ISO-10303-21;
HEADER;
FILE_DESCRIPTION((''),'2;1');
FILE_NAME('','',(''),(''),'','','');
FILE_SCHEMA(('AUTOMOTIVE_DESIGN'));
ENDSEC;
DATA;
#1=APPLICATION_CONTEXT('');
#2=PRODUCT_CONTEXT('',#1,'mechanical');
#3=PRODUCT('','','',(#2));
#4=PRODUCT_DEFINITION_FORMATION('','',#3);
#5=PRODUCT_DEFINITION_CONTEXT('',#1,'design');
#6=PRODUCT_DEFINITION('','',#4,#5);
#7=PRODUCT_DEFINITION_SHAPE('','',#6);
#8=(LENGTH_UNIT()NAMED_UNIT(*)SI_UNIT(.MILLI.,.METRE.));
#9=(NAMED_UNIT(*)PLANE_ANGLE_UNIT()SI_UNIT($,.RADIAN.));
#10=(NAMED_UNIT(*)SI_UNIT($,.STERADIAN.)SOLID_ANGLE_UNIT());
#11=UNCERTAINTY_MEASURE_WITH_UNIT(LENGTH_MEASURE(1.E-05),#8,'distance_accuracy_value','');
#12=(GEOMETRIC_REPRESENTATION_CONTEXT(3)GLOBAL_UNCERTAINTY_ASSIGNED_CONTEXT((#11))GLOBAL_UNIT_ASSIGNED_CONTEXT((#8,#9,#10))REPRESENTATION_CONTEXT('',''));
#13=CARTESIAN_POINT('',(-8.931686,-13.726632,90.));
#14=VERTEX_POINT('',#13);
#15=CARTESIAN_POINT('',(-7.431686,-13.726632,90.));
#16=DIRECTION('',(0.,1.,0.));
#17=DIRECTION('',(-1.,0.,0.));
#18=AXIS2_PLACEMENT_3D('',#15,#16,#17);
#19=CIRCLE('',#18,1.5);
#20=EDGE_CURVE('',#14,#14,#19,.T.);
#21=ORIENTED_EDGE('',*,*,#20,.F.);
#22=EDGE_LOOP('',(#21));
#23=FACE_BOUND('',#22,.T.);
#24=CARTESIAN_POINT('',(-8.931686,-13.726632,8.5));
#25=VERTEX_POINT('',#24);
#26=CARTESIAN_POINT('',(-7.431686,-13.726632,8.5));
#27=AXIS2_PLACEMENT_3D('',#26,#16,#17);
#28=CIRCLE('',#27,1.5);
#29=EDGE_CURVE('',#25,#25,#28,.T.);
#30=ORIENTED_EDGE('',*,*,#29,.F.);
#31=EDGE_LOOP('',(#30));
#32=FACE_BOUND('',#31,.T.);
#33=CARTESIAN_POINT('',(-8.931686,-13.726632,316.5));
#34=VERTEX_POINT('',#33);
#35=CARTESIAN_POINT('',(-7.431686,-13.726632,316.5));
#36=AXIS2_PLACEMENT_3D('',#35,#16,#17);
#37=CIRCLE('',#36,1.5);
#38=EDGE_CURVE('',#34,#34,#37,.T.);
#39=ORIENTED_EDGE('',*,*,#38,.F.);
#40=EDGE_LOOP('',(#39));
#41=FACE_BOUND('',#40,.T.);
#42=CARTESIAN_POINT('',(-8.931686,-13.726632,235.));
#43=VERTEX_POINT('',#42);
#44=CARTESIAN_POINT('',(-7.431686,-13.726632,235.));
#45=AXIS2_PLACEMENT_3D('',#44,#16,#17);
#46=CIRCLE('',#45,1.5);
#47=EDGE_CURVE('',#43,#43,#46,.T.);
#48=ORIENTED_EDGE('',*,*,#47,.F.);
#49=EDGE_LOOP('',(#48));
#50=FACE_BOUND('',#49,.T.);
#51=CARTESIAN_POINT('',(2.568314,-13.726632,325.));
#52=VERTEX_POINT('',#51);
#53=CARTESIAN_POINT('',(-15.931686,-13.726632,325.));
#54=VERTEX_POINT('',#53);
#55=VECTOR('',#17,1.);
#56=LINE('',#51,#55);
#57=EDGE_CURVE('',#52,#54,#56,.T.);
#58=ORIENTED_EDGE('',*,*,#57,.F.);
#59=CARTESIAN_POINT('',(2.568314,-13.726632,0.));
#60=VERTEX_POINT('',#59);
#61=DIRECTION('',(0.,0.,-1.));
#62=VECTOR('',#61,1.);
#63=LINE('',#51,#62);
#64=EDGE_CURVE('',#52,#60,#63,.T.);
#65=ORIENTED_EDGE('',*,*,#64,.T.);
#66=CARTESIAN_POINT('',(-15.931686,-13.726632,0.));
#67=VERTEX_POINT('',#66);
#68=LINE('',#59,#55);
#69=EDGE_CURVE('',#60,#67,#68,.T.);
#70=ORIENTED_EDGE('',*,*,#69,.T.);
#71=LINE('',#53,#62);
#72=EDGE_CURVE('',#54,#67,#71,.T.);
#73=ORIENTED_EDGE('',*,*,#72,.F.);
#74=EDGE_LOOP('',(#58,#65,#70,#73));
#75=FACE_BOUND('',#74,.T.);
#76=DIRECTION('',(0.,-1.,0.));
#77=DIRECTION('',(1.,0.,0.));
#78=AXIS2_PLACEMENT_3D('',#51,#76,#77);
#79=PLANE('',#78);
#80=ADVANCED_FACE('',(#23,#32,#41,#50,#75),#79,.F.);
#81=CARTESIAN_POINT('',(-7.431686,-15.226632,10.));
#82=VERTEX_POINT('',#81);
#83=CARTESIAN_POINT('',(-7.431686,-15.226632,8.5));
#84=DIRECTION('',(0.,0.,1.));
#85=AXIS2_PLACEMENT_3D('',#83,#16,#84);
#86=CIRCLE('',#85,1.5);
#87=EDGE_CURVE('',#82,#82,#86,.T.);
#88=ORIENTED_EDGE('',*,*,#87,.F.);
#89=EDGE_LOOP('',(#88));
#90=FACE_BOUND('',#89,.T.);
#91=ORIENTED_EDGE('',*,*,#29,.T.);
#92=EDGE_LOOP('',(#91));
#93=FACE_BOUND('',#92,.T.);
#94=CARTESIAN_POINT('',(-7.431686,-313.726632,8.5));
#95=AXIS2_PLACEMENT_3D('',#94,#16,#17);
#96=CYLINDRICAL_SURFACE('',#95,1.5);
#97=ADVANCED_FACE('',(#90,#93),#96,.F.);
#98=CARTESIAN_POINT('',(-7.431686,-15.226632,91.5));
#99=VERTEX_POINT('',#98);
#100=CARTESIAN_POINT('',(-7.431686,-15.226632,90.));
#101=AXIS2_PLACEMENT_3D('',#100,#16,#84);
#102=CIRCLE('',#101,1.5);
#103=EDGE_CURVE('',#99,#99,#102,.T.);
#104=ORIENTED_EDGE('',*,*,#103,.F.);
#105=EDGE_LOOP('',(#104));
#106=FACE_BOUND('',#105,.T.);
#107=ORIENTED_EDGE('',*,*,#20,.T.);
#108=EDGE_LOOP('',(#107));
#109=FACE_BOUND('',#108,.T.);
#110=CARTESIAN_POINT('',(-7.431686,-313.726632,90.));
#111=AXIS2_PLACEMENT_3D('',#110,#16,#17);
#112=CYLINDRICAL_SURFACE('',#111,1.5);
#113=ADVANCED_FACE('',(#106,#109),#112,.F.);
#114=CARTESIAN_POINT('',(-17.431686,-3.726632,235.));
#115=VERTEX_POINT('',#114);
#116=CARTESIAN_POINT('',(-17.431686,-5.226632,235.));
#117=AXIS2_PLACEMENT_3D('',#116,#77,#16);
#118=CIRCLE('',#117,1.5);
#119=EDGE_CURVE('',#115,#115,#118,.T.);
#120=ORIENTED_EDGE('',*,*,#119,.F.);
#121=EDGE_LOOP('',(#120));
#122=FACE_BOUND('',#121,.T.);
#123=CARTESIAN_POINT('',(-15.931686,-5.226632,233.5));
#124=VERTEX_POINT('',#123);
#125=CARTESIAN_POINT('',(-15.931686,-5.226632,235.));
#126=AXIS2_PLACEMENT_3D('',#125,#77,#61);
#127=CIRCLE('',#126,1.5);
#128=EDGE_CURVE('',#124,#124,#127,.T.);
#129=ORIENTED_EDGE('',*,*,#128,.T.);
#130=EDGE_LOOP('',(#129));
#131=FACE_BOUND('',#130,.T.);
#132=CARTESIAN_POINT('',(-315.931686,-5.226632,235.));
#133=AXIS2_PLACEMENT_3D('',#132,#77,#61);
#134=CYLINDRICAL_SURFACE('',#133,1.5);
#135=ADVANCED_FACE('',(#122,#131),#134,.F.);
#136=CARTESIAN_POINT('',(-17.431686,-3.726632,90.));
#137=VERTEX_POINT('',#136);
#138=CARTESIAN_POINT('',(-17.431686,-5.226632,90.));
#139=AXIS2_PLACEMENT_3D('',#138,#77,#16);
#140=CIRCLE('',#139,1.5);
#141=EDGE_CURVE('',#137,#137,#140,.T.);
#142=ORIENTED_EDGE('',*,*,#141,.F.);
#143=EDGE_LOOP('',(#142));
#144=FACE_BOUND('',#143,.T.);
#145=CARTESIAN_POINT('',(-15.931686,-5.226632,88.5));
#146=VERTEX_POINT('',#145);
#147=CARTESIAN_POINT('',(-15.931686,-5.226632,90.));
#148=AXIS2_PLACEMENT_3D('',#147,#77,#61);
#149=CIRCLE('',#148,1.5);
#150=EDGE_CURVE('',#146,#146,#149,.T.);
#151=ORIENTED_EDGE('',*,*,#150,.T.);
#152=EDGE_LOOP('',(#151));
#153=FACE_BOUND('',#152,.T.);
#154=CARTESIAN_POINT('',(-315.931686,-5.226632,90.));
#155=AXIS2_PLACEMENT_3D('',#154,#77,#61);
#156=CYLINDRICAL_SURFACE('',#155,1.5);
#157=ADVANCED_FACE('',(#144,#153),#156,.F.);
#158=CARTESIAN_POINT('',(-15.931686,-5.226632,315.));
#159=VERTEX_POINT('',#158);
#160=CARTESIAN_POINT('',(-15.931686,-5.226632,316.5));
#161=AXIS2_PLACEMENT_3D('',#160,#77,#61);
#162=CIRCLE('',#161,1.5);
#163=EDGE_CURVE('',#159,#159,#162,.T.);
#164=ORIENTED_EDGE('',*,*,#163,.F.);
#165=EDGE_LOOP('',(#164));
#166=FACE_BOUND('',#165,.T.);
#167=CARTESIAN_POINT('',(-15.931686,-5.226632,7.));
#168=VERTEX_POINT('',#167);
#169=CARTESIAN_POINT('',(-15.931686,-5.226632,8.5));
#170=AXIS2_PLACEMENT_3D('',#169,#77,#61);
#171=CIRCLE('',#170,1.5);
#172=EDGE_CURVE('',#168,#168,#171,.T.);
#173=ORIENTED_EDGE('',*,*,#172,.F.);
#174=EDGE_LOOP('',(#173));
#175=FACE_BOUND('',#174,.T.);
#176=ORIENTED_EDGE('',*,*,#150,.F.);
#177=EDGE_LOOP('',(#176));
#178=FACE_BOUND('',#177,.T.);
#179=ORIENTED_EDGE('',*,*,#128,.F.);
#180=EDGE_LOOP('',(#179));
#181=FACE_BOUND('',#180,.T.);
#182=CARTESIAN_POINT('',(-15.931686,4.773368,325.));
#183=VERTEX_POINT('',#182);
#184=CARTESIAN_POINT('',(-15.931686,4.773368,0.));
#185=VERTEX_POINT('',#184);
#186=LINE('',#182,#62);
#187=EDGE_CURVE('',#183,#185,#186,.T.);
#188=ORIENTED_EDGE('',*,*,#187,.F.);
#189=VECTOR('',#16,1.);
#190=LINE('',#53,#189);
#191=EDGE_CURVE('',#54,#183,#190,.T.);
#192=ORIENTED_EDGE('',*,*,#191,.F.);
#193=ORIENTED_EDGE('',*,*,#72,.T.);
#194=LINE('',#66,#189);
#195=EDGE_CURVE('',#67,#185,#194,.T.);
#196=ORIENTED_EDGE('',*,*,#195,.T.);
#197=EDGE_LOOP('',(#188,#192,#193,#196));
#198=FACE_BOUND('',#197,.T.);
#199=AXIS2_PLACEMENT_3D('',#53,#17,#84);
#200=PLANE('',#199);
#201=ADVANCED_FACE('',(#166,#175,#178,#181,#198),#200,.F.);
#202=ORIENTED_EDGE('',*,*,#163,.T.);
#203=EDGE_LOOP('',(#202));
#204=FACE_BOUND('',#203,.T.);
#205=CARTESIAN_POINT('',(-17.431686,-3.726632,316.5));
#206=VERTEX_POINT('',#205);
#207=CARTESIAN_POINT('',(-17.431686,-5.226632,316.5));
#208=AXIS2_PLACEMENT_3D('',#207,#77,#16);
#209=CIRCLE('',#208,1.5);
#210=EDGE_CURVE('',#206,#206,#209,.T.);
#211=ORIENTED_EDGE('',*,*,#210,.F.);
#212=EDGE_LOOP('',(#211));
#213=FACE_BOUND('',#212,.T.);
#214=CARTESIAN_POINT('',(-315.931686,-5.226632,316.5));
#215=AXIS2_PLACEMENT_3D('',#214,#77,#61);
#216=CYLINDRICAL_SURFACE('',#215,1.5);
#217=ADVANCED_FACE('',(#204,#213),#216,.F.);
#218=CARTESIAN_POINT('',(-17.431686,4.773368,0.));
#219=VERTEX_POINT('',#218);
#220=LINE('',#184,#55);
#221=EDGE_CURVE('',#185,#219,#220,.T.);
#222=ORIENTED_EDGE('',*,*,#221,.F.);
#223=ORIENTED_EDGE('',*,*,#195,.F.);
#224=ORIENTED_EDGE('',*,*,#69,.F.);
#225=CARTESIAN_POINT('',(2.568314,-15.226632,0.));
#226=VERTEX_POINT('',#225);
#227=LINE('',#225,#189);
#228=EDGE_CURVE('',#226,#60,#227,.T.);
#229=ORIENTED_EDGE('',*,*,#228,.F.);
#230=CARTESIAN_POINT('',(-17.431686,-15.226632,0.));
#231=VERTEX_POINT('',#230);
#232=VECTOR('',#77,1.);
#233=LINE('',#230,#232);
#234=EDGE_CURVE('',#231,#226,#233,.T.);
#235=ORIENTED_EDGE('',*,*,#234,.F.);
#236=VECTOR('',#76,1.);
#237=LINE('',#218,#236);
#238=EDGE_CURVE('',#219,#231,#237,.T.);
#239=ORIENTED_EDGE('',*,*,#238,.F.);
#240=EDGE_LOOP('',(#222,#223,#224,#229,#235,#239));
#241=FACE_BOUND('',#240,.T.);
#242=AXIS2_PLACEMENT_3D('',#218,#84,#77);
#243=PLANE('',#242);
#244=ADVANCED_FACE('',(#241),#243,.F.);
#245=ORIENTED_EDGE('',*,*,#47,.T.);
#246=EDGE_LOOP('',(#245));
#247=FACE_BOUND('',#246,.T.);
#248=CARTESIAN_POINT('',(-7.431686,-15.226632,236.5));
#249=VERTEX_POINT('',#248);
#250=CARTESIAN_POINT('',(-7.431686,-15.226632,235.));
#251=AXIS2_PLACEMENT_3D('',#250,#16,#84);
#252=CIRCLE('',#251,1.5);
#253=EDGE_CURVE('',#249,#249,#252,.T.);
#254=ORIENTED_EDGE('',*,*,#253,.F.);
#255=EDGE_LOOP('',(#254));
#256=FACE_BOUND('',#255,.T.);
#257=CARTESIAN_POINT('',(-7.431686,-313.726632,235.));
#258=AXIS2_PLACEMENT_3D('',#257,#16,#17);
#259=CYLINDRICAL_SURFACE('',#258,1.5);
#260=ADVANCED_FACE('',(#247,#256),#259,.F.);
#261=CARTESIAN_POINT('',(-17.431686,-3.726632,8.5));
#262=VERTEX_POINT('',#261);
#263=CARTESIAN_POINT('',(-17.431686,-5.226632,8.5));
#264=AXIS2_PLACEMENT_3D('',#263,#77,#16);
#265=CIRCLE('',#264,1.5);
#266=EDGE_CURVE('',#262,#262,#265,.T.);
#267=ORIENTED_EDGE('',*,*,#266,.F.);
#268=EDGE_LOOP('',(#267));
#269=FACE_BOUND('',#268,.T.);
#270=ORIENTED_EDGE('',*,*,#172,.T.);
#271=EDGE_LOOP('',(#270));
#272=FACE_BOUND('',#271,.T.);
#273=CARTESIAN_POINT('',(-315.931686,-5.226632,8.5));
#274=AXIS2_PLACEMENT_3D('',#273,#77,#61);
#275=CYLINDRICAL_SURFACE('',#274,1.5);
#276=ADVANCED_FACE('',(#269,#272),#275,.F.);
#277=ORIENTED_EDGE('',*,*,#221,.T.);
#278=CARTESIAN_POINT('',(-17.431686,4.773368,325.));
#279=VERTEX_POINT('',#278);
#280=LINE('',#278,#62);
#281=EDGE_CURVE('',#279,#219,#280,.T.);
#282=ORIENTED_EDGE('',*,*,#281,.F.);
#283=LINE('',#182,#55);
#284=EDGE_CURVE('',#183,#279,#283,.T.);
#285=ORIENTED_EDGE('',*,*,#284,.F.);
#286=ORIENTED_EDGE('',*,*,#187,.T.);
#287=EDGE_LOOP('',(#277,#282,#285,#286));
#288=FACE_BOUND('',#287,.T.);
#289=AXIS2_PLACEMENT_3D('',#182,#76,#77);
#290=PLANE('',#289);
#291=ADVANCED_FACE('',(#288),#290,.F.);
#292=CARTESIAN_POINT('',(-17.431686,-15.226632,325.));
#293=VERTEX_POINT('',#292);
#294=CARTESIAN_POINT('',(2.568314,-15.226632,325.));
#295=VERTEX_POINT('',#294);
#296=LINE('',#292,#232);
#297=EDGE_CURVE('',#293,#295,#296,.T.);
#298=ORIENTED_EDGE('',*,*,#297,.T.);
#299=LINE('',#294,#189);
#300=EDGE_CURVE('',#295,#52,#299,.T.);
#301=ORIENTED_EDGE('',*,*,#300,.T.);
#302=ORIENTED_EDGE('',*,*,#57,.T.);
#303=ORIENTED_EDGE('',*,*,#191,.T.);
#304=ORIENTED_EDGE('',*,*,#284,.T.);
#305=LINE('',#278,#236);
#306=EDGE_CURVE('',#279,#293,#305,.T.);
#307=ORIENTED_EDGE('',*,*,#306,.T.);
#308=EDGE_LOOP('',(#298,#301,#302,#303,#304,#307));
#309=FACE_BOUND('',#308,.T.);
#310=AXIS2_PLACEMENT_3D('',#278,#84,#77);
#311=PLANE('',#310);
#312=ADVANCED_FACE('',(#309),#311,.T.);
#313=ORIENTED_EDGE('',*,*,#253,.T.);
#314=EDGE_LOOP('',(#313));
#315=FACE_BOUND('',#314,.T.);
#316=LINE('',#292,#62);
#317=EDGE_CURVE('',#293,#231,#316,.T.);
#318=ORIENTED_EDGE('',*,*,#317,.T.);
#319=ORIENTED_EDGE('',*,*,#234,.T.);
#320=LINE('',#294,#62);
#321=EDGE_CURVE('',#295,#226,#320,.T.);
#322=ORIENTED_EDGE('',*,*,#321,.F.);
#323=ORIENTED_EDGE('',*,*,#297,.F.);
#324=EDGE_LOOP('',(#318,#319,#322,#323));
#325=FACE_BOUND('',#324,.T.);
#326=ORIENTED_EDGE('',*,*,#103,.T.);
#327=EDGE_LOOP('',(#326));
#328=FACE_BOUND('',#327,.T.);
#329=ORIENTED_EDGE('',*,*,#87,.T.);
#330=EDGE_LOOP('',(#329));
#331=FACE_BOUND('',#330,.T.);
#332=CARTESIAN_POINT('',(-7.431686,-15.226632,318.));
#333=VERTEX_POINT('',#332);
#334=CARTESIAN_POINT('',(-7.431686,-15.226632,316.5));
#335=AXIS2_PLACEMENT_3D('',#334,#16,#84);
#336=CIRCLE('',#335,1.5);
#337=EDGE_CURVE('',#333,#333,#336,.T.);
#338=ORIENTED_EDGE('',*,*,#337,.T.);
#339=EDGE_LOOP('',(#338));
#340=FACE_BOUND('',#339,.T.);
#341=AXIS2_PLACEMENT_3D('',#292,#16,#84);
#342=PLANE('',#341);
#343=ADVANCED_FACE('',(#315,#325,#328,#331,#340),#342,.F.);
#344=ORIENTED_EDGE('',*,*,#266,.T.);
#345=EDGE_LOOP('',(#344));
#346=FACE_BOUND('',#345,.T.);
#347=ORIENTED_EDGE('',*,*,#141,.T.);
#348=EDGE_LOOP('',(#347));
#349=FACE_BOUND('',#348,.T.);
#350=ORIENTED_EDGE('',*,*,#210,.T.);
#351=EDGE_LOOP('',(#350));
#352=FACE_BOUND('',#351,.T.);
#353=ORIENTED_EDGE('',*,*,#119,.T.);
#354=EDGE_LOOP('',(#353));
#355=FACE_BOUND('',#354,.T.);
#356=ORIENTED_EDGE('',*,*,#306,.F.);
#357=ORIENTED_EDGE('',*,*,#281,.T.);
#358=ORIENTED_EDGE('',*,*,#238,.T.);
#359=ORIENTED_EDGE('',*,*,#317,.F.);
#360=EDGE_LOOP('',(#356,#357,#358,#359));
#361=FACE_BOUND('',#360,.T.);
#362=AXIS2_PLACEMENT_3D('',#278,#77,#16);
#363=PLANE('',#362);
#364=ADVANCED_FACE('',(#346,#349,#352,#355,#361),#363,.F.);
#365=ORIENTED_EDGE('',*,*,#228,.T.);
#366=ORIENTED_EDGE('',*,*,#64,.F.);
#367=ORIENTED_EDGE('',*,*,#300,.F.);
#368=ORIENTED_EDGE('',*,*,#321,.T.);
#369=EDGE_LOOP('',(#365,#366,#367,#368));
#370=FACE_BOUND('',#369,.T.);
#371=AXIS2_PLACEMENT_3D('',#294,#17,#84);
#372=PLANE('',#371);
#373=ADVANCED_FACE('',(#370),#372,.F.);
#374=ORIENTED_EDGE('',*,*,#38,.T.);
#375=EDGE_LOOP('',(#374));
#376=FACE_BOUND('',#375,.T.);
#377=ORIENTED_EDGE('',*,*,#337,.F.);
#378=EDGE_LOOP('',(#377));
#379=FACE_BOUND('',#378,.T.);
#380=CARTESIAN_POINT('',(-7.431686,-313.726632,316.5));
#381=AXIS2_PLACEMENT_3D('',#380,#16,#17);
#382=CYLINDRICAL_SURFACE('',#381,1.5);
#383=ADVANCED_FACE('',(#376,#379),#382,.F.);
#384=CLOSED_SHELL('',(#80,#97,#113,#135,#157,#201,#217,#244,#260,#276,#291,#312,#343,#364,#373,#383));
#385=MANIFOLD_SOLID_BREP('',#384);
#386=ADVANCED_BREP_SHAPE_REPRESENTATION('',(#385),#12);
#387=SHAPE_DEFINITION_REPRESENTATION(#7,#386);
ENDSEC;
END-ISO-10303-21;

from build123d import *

# Parameters (mm, degrees)
EXTRUSION1_DEPTH = 325
ESQUISSE2_R      = 1.5
EXTRUSION2_DEPTH = 300
ESQUISSE3_R      = 1.5
EXTRUSION3_DEPTH = 300


with BuildPart() as part:
    # Esquisse1 → Extrusion1 (new body)
    with BuildSketch(Plane.XY):
        Polygon((-17.43168638, 4.773368421), (-17.43168638, -15.226631579), (2.56831362, -15.226631579), (2.56831362, -13.726631579), (-15.93168638, -13.726631579), (-15.93168638, 4.773368421), align=None)
    extrude(amount=EXTRUSION1_DEPTH)

    # Esquisse2 → Extrusion2 (cut)
    with BuildSketch(Plane(origin=(0, -13.726631579, 0), x_dir=(-1, 0, 0), z_dir=(0, 1, 0))):
        with Locations((7.43168638, 8.5)):
            Circle(ESQUISSE2_R)
        with Locations((7.43168638, 316.5)):
            Circle(ESQUISSE2_R)
        with Locations((7.43168638, 235)):
            Circle(ESQUISSE2_R)
        with Locations((7.43168638, 90)):
            Circle(ESQUISSE2_R)
    extrude(amount=-EXTRUSION2_DEPTH, mode=Mode.SUBTRACT)

    # Esquisse3 → Extrusion3 (cut)
    with BuildSketch(Plane(origin=(-15.93168638, 0, 0), x_dir=(0, 0, -1), z_dir=(1, 0, 0))):
        with Locations((-316.5, -5.226631579)):
            Circle(ESQUISSE3_R)
        with Locations((-8.5, -5.226631579)):
            Circle(ESQUISSE3_R)
        with Locations((-235, -5.226631579)):
            Circle(ESQUISSE3_R)
        with Locations((-90, -5.226631579)):
            Circle(ESQUISSE3_R)
    extrude(amount=-EXTRUSION3_DEPTH, mode=Mode.SUBTRACT)


solid = part.part
